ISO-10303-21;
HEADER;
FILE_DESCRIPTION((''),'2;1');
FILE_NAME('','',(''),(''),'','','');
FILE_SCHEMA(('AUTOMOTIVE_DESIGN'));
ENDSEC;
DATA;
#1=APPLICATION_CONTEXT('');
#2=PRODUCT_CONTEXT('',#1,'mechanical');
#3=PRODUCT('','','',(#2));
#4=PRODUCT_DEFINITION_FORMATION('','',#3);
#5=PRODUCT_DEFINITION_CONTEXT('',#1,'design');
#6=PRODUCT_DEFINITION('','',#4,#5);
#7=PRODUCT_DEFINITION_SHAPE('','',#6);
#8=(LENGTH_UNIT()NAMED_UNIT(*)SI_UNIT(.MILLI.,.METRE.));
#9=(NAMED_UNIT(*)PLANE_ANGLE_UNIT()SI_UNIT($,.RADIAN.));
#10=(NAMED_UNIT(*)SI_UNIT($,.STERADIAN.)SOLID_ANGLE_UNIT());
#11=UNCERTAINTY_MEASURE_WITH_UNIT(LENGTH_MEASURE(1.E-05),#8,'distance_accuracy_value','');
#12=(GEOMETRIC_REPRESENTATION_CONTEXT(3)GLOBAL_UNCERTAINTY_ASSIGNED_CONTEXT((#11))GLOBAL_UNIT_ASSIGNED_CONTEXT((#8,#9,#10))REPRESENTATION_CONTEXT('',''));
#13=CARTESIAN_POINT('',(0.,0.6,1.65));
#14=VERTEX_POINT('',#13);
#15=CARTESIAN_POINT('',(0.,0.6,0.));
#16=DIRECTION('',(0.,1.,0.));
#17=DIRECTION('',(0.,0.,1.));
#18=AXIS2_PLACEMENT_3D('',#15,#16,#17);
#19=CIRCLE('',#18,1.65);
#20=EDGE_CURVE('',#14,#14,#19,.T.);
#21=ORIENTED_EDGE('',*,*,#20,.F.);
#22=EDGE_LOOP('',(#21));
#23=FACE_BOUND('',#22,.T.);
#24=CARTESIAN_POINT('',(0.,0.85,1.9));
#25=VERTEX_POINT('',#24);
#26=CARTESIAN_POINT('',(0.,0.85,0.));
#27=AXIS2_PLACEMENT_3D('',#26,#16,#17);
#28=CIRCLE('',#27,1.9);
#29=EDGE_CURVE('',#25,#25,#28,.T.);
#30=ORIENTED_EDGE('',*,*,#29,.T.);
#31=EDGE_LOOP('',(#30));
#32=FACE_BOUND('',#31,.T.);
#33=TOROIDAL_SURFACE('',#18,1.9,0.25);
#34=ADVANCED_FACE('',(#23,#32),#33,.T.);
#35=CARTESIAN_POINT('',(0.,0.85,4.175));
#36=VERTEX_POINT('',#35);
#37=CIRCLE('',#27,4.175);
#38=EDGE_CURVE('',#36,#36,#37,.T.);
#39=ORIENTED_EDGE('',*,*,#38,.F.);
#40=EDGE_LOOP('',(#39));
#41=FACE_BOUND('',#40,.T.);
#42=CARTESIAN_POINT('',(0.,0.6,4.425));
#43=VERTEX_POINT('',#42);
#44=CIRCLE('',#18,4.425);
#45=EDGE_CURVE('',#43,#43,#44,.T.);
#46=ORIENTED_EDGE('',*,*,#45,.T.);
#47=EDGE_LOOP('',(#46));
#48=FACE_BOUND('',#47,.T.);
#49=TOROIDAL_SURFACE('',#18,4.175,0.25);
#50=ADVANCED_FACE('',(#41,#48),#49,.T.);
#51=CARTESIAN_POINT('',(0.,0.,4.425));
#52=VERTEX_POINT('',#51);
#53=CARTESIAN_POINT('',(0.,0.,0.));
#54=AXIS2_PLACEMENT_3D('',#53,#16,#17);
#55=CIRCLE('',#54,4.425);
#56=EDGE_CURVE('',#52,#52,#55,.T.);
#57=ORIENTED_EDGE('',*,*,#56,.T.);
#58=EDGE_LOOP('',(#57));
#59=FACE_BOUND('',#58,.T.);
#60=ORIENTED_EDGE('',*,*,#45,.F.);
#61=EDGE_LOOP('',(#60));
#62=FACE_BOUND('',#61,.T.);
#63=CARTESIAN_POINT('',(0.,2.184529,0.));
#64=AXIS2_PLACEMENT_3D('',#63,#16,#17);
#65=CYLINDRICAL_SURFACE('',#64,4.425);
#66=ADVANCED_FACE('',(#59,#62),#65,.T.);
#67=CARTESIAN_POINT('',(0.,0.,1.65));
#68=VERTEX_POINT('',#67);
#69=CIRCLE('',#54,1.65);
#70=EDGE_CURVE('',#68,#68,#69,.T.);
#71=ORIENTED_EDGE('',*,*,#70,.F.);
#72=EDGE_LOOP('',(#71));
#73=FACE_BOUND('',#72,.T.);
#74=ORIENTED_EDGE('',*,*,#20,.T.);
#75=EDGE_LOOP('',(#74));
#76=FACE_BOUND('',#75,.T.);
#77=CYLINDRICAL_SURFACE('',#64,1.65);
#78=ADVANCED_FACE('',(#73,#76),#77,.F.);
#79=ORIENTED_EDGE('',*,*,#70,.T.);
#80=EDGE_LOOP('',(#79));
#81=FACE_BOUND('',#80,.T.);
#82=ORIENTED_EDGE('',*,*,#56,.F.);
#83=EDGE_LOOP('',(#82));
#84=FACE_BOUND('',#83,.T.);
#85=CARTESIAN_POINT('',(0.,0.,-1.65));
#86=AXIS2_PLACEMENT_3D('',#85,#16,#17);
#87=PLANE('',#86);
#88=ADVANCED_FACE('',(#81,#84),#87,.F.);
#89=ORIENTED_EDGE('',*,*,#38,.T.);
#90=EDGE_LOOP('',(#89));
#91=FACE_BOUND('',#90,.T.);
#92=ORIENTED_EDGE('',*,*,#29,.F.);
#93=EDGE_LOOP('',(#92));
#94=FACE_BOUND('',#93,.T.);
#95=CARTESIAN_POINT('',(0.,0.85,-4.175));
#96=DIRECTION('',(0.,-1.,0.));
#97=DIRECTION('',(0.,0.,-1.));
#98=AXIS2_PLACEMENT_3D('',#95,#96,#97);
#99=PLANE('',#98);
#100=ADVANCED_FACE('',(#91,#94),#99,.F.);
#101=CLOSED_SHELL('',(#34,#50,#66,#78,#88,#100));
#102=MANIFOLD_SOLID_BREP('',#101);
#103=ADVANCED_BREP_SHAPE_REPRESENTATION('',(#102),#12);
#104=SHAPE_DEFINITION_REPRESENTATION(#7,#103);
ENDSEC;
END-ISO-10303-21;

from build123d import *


with BuildPart() as part:
    # Sketch1 → Revolve1 (revolve)
    with BuildSketch(Plane(origin=(0, 0, 0), x_dir=(0, 0, -1), z_dir=(1, 0, 0)), mode=Mode.PRIVATE) as revolve1_sk:
        with BuildLine():
            Line((1.65, 0), (4.425, 0))
            Line((4.425, 0), (4.425, 0.6))
            ThreePointArc((4.425, 0.6), (4.351776695, 0.776776695), (4.175, 0.85))
            Line((4.175, 0.85), (1.9, 0.85))
            ThreePointArc((1.9, 0.85), (1.723223305, 0.776776695), (1.65, 0.6))
            Line((1.65, 0.6), (1.65, 0))
        make_face()
    revolve(revolve1_sk.sketch.rotate(Axis((0, 2.184529438, 0), (0, -1, 0)), 180), axis=Axis((0, 2.184529438, 0), (0, -1, 0)))


solid = part.part
